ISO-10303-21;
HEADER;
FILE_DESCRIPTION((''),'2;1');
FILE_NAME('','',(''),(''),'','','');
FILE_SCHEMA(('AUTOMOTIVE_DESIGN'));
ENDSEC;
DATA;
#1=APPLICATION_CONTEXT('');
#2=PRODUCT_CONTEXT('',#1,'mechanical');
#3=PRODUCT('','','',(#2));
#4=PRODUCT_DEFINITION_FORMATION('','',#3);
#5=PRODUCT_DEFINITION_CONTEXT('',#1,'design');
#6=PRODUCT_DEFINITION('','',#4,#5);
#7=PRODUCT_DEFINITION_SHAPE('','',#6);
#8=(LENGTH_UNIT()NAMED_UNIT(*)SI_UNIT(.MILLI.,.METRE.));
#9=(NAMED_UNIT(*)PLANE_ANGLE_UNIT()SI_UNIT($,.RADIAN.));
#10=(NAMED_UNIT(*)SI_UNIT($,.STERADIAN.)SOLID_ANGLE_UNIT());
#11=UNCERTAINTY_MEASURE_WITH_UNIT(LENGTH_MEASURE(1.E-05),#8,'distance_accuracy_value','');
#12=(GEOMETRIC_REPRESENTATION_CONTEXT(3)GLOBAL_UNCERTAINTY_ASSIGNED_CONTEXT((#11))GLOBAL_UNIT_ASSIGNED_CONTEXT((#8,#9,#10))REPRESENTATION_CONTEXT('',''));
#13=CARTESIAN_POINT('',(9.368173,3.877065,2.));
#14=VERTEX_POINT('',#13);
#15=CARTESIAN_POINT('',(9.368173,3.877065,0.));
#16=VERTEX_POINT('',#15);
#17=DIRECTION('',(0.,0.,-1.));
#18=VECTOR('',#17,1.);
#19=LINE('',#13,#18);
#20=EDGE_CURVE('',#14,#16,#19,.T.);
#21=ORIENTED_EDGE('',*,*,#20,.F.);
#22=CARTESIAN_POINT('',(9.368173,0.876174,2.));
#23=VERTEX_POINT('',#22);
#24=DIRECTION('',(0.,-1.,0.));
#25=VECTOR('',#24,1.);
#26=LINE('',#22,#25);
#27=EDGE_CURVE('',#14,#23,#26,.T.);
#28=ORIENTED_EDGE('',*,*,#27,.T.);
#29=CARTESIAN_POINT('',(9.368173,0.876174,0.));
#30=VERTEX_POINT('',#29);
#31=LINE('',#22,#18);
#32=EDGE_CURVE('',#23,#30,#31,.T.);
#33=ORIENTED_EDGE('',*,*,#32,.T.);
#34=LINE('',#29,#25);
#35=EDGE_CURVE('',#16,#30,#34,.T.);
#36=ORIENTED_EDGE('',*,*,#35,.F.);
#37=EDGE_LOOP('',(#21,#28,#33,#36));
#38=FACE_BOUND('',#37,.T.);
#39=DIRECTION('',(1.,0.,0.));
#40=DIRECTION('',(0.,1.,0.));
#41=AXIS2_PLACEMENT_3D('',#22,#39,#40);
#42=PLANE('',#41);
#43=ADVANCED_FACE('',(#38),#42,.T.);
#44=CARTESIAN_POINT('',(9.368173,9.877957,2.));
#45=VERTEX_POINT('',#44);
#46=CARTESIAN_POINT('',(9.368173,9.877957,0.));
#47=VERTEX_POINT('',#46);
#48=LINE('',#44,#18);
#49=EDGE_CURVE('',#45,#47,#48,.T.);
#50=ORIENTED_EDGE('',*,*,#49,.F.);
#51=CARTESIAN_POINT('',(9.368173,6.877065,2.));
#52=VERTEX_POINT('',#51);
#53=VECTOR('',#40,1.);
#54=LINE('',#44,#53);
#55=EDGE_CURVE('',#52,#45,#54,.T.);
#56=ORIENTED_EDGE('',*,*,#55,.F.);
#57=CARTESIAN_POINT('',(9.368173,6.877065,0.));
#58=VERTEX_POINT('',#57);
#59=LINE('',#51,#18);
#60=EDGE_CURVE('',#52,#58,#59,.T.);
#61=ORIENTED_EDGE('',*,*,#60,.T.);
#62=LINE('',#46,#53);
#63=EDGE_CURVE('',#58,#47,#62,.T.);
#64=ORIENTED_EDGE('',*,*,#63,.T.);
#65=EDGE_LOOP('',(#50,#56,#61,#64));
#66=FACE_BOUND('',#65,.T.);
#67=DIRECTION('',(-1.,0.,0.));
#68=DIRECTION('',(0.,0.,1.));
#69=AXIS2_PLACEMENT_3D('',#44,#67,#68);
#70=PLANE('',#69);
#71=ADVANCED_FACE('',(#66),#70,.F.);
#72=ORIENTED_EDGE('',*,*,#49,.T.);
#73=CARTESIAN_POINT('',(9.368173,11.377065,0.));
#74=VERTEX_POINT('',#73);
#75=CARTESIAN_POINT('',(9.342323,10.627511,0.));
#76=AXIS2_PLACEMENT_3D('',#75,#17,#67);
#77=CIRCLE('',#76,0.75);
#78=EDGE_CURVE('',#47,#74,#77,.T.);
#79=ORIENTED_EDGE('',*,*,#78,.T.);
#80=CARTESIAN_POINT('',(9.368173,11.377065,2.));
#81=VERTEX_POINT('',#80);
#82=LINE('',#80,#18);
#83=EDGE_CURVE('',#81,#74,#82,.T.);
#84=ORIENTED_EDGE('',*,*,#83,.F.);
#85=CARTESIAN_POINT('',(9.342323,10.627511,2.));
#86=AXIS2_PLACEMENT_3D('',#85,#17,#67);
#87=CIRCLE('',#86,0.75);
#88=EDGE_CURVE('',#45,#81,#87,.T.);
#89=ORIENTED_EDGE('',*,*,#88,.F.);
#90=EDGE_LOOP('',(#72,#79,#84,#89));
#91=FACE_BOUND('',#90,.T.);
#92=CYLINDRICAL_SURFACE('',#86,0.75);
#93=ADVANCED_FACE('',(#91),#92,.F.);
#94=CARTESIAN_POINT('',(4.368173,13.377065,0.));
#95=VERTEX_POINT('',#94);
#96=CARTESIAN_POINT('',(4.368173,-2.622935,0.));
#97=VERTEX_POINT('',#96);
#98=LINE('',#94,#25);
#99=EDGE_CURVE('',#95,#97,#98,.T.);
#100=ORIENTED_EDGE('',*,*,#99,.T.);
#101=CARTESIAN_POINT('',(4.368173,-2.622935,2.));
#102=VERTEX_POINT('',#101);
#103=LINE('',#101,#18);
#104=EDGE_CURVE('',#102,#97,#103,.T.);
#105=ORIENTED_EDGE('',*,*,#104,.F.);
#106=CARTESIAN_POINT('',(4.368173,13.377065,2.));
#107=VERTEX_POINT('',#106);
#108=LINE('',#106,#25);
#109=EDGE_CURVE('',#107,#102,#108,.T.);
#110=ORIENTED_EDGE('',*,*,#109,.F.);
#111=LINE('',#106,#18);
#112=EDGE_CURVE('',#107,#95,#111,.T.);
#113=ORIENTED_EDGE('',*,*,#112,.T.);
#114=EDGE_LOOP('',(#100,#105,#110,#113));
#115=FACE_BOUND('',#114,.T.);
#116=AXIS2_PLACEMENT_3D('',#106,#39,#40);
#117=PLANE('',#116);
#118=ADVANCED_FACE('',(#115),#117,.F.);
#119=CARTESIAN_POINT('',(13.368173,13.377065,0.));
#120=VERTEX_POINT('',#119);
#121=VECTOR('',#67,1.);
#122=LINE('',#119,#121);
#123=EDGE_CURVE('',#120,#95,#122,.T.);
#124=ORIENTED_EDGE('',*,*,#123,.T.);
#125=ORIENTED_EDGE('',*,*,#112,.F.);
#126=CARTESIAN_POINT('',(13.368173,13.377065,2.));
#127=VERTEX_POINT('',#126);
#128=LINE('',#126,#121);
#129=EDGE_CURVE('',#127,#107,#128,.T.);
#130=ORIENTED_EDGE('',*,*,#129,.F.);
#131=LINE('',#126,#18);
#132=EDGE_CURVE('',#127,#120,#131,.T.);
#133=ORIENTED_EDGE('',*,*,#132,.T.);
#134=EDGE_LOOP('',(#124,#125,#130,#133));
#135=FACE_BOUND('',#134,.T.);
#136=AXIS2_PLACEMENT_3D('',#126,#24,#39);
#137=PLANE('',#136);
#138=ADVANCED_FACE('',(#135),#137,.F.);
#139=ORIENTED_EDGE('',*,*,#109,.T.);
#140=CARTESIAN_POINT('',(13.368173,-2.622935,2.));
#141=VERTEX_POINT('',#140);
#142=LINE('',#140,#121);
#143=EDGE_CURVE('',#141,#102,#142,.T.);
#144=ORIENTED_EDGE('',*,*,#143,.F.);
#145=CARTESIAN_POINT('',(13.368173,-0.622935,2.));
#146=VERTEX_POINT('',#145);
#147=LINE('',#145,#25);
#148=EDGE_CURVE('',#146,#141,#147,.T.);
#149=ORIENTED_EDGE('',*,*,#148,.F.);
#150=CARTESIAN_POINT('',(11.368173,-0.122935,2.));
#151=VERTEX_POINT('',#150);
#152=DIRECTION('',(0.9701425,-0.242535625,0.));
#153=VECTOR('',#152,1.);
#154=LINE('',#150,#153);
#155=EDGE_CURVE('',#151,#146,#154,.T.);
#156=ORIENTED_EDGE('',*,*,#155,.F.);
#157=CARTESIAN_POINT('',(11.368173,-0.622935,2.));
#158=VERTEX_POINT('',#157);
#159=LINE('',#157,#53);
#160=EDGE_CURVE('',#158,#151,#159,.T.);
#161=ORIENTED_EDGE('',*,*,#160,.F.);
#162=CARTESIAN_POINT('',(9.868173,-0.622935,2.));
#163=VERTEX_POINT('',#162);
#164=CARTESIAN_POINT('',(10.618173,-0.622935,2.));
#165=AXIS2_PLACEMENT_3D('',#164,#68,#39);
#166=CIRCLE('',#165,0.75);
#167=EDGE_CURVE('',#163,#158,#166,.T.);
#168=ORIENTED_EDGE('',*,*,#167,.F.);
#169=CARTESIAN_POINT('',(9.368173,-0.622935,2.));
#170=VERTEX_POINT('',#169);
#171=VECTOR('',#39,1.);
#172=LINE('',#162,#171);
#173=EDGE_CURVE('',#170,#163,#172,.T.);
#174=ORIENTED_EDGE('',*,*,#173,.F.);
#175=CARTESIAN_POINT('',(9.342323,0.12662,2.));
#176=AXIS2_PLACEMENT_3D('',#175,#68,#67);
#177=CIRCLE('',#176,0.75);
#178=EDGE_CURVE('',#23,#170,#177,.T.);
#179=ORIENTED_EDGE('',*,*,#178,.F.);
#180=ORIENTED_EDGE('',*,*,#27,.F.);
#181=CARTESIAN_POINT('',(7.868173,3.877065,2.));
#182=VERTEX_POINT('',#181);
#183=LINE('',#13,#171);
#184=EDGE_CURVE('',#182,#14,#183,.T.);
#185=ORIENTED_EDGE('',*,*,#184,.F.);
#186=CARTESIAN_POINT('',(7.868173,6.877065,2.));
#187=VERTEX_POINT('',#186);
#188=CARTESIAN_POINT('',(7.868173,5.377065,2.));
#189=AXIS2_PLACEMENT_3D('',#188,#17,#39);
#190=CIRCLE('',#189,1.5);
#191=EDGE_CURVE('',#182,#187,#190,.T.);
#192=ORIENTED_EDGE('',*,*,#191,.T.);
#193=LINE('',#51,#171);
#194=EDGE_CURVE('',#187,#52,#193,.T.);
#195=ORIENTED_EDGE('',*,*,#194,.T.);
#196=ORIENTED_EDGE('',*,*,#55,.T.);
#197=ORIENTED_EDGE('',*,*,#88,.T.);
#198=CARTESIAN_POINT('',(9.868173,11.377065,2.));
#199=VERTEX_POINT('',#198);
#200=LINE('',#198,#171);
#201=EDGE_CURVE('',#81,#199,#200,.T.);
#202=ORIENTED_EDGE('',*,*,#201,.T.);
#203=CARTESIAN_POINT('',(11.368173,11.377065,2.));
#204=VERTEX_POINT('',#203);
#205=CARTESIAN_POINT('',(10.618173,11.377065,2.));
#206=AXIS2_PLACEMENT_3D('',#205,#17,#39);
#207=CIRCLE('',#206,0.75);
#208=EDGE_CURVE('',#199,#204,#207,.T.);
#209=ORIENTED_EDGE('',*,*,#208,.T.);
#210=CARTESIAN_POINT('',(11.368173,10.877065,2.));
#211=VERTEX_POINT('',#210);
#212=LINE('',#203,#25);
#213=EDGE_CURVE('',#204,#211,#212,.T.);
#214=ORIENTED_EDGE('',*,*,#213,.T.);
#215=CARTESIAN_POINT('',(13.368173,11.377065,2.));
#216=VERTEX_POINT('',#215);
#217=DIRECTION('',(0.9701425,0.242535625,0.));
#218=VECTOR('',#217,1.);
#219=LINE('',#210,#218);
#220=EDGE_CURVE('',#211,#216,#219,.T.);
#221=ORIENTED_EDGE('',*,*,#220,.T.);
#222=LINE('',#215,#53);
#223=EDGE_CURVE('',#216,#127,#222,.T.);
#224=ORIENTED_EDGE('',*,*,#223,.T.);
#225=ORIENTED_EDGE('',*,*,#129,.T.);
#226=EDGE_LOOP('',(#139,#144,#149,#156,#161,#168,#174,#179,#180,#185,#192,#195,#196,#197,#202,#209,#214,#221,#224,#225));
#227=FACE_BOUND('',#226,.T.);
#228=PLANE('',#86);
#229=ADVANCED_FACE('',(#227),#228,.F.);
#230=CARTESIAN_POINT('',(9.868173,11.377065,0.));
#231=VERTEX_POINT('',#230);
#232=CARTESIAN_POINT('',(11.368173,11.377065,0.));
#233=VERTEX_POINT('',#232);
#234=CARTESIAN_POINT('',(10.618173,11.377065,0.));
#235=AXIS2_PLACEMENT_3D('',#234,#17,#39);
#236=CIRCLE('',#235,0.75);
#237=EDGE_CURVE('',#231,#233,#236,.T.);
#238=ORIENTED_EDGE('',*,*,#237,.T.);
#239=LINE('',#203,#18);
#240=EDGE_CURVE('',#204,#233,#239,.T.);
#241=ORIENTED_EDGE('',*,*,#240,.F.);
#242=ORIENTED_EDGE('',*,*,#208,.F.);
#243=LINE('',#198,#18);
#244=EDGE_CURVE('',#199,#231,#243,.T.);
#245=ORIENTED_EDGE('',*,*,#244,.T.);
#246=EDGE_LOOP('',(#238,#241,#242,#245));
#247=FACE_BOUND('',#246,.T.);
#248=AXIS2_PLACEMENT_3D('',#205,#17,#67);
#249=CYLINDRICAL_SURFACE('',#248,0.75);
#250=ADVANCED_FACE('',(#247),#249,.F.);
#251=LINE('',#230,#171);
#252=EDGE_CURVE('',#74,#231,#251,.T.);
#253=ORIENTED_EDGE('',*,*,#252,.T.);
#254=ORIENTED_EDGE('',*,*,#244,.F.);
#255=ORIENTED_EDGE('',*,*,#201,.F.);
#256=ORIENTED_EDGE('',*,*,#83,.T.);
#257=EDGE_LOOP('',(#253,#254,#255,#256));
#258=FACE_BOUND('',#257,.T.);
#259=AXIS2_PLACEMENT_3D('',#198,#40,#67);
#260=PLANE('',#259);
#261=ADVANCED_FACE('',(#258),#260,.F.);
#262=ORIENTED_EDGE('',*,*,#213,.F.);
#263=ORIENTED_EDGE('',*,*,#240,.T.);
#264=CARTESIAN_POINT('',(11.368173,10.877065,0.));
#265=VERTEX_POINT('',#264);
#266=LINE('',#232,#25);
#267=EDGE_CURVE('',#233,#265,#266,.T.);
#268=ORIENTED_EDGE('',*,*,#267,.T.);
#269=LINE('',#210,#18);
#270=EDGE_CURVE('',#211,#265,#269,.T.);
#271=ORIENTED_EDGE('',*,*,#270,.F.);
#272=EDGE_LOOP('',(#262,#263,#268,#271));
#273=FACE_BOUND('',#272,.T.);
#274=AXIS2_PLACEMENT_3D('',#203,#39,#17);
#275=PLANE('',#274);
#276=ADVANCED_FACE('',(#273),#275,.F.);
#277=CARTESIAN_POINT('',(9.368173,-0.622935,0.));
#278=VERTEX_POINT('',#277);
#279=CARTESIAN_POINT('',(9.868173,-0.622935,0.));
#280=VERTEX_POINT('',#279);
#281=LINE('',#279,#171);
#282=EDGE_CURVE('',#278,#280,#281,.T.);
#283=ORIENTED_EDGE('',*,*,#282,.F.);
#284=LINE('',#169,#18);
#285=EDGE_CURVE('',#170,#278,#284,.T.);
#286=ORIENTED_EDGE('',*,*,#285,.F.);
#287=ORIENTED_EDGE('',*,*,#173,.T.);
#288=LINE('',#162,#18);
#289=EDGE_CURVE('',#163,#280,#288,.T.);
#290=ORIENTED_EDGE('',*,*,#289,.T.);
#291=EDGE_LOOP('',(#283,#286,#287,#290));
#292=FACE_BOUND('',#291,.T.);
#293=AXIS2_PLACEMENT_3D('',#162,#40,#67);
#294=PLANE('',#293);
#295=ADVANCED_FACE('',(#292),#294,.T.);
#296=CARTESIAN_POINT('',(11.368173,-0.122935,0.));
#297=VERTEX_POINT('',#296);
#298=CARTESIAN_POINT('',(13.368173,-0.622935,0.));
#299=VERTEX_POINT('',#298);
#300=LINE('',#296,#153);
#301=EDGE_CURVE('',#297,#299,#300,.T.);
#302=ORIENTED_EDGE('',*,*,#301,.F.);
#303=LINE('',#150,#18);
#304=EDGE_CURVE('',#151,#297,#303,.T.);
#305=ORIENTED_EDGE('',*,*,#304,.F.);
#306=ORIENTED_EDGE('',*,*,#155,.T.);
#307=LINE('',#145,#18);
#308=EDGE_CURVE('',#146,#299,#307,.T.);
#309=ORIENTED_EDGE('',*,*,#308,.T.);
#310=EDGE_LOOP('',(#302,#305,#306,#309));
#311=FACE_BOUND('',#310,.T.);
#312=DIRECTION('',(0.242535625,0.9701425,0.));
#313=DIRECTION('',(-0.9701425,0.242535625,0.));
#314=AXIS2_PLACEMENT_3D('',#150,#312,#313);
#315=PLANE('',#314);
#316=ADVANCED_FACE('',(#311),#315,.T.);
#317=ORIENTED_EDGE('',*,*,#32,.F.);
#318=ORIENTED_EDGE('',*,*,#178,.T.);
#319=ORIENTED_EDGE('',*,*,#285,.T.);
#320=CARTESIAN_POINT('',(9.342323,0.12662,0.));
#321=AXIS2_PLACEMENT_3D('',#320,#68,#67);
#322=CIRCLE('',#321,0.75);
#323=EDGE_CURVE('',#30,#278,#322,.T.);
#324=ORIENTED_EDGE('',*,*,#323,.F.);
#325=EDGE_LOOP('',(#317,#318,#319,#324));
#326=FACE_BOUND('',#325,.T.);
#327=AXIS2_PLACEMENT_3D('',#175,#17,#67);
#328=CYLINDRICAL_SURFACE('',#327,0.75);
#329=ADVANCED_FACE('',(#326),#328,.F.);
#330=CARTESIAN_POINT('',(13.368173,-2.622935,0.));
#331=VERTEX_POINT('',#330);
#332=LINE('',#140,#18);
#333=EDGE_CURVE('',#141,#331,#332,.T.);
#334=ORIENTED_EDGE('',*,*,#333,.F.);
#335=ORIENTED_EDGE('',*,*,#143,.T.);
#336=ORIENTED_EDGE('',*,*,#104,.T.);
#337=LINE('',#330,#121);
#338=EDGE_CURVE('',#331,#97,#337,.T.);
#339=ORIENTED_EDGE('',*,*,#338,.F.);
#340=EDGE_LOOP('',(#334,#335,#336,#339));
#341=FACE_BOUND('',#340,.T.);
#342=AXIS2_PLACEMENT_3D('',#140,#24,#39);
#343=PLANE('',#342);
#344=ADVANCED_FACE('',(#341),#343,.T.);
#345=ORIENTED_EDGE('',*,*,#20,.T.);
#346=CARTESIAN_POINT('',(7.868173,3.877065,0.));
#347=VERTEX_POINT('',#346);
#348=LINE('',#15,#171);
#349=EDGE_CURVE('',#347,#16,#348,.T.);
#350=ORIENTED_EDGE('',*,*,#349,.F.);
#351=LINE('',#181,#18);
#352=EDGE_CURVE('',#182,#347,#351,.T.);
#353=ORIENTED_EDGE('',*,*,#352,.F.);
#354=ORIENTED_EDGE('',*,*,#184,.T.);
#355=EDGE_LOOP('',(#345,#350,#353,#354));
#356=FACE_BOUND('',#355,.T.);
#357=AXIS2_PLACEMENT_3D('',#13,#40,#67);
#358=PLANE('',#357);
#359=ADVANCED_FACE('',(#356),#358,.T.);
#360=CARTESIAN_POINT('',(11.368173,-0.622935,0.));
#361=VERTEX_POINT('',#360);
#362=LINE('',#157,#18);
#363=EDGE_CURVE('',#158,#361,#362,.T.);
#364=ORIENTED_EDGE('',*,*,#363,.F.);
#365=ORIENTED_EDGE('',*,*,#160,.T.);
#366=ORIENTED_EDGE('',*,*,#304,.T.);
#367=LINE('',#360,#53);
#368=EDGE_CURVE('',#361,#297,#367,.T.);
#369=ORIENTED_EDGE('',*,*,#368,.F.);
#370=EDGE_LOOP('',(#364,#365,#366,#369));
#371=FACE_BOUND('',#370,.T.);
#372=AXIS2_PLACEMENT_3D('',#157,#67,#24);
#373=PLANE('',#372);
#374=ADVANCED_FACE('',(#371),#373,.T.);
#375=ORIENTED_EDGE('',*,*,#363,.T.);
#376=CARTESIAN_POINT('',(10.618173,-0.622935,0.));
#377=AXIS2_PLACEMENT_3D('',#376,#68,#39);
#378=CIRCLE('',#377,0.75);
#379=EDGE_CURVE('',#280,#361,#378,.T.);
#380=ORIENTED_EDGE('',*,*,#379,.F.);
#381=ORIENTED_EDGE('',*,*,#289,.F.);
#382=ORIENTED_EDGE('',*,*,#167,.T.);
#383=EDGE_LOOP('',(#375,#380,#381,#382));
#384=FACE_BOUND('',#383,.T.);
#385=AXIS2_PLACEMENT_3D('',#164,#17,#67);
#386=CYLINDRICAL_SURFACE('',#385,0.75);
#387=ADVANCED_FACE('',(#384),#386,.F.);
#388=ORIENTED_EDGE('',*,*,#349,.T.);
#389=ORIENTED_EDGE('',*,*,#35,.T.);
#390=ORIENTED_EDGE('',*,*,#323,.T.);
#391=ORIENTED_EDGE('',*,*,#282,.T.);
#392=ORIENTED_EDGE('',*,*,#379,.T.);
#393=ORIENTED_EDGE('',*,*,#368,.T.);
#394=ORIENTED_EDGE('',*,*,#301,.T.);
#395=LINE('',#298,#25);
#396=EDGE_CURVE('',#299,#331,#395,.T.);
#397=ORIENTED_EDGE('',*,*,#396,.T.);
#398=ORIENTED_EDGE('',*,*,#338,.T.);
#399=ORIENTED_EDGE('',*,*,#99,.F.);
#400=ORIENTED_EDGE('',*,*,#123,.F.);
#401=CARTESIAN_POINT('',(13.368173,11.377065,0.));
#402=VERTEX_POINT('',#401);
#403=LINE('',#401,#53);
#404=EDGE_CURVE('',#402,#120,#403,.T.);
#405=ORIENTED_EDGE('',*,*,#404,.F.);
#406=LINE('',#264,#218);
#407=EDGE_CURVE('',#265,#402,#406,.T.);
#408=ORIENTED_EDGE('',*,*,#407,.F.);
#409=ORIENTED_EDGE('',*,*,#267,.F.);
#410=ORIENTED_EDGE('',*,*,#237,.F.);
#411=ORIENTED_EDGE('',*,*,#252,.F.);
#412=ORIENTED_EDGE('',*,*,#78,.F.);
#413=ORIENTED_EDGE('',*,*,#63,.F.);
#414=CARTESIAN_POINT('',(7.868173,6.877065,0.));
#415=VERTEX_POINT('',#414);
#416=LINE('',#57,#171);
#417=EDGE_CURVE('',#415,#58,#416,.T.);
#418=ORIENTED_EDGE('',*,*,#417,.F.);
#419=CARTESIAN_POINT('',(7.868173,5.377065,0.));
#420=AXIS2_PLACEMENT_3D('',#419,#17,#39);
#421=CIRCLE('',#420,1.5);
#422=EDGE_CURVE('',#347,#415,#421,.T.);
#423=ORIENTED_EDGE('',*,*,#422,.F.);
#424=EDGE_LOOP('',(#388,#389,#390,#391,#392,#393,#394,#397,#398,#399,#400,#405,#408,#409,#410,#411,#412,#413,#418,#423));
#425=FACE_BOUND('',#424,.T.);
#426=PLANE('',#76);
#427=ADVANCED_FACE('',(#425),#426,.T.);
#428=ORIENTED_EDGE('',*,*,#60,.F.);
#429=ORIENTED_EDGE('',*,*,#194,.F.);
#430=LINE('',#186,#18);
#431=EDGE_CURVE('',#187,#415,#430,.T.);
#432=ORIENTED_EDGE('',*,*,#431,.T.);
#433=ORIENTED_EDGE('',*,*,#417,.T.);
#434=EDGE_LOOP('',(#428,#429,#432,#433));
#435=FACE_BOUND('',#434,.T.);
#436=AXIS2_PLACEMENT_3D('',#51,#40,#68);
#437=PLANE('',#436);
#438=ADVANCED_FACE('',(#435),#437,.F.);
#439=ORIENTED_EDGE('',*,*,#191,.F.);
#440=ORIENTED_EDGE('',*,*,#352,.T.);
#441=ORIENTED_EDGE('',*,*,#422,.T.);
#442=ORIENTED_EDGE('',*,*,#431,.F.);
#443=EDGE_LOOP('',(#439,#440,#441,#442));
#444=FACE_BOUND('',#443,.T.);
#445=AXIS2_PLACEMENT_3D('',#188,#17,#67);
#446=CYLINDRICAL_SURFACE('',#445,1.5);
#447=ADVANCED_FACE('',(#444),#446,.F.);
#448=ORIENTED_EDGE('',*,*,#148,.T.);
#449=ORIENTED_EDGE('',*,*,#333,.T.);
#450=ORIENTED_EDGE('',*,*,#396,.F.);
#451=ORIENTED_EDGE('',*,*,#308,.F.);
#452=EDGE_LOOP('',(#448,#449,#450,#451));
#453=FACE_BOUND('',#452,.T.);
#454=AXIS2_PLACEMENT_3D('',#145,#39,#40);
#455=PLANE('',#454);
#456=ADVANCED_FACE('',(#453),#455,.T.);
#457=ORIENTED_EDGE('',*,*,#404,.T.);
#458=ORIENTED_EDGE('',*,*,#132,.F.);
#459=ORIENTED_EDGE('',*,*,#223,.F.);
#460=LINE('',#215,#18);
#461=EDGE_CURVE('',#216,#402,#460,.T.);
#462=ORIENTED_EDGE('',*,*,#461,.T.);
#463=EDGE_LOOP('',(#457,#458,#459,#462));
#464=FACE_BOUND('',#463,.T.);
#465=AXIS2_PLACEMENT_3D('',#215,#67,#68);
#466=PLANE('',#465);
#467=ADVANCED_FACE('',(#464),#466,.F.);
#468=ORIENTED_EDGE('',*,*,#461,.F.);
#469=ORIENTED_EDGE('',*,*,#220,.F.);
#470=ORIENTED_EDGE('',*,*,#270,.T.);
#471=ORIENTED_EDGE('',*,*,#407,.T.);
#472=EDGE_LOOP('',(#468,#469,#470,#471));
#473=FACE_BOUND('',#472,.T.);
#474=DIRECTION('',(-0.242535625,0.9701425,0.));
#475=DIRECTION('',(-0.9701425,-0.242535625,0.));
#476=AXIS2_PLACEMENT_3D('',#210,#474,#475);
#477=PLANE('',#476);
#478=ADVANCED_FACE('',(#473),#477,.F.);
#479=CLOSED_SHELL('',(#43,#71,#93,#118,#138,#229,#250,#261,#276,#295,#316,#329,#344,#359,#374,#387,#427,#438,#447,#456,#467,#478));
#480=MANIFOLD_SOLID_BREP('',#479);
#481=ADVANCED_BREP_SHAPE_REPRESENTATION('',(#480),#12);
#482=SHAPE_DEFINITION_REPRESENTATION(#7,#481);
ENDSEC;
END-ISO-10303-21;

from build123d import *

# Parameters (mm, degrees)
BOSS_EXTRUDE1_DEPTH = 2


with BuildPart() as part:
    # Sketch1 → Boss-Extrude1 (new body)
    with BuildSketch(Plane.XY):
        with BuildLine():
            Line((13.368173221, 13.377065301), (4.368173221, 13.377065301))
            Line((4.368173221, 13.377065301), (4.368173221, 5.377065301))
            Line((4.368173221, 5.377065301), (6.368173221, 5.377065301))
            ThreePointArc((6.368173221, 5.377065301), (6.80751305, 6.437725473), (7.868173221, 6.877065301))
            Line((7.868173221, 6.877065301), (9.368173221, 6.877065301))
            Line((9.368173221, 6.877065301), (9.368173221, 9.877956548))
            ThreePointArc((9.368173221, 9.877956548), (8.59232295, 10.627510924), (9.368173221, 11.377065301))
            Line((9.368173221, 11.377065301), (9.868173221, 11.377065301))
            ThreePointArc((9.868173221, 11.377065301), (10.618173221, 12.127065301), (11.368173221, 11.377065301))
            Line((11.368173221, 11.377065301), (11.368173221, 10.877065301))
            Line((11.368173221, 10.877065301), (13.368173221, 11.377065301))
            Line((13.368173221, 11.377065301), (13.368173221, 13.377065301))
        make_face()
    boss_extrude1 = extrude(amount=BOSS_EXTRUDE1_DEPTH)

    # Mirror1: Boss-Extrude1 across plane
    add(boss_extrude1.mirror(Plane(origin=(6.368173221, 5.377065301, 2), x_dir=(0, 0, 1), z_dir=(0, 1, 0))))


solid = part.part
